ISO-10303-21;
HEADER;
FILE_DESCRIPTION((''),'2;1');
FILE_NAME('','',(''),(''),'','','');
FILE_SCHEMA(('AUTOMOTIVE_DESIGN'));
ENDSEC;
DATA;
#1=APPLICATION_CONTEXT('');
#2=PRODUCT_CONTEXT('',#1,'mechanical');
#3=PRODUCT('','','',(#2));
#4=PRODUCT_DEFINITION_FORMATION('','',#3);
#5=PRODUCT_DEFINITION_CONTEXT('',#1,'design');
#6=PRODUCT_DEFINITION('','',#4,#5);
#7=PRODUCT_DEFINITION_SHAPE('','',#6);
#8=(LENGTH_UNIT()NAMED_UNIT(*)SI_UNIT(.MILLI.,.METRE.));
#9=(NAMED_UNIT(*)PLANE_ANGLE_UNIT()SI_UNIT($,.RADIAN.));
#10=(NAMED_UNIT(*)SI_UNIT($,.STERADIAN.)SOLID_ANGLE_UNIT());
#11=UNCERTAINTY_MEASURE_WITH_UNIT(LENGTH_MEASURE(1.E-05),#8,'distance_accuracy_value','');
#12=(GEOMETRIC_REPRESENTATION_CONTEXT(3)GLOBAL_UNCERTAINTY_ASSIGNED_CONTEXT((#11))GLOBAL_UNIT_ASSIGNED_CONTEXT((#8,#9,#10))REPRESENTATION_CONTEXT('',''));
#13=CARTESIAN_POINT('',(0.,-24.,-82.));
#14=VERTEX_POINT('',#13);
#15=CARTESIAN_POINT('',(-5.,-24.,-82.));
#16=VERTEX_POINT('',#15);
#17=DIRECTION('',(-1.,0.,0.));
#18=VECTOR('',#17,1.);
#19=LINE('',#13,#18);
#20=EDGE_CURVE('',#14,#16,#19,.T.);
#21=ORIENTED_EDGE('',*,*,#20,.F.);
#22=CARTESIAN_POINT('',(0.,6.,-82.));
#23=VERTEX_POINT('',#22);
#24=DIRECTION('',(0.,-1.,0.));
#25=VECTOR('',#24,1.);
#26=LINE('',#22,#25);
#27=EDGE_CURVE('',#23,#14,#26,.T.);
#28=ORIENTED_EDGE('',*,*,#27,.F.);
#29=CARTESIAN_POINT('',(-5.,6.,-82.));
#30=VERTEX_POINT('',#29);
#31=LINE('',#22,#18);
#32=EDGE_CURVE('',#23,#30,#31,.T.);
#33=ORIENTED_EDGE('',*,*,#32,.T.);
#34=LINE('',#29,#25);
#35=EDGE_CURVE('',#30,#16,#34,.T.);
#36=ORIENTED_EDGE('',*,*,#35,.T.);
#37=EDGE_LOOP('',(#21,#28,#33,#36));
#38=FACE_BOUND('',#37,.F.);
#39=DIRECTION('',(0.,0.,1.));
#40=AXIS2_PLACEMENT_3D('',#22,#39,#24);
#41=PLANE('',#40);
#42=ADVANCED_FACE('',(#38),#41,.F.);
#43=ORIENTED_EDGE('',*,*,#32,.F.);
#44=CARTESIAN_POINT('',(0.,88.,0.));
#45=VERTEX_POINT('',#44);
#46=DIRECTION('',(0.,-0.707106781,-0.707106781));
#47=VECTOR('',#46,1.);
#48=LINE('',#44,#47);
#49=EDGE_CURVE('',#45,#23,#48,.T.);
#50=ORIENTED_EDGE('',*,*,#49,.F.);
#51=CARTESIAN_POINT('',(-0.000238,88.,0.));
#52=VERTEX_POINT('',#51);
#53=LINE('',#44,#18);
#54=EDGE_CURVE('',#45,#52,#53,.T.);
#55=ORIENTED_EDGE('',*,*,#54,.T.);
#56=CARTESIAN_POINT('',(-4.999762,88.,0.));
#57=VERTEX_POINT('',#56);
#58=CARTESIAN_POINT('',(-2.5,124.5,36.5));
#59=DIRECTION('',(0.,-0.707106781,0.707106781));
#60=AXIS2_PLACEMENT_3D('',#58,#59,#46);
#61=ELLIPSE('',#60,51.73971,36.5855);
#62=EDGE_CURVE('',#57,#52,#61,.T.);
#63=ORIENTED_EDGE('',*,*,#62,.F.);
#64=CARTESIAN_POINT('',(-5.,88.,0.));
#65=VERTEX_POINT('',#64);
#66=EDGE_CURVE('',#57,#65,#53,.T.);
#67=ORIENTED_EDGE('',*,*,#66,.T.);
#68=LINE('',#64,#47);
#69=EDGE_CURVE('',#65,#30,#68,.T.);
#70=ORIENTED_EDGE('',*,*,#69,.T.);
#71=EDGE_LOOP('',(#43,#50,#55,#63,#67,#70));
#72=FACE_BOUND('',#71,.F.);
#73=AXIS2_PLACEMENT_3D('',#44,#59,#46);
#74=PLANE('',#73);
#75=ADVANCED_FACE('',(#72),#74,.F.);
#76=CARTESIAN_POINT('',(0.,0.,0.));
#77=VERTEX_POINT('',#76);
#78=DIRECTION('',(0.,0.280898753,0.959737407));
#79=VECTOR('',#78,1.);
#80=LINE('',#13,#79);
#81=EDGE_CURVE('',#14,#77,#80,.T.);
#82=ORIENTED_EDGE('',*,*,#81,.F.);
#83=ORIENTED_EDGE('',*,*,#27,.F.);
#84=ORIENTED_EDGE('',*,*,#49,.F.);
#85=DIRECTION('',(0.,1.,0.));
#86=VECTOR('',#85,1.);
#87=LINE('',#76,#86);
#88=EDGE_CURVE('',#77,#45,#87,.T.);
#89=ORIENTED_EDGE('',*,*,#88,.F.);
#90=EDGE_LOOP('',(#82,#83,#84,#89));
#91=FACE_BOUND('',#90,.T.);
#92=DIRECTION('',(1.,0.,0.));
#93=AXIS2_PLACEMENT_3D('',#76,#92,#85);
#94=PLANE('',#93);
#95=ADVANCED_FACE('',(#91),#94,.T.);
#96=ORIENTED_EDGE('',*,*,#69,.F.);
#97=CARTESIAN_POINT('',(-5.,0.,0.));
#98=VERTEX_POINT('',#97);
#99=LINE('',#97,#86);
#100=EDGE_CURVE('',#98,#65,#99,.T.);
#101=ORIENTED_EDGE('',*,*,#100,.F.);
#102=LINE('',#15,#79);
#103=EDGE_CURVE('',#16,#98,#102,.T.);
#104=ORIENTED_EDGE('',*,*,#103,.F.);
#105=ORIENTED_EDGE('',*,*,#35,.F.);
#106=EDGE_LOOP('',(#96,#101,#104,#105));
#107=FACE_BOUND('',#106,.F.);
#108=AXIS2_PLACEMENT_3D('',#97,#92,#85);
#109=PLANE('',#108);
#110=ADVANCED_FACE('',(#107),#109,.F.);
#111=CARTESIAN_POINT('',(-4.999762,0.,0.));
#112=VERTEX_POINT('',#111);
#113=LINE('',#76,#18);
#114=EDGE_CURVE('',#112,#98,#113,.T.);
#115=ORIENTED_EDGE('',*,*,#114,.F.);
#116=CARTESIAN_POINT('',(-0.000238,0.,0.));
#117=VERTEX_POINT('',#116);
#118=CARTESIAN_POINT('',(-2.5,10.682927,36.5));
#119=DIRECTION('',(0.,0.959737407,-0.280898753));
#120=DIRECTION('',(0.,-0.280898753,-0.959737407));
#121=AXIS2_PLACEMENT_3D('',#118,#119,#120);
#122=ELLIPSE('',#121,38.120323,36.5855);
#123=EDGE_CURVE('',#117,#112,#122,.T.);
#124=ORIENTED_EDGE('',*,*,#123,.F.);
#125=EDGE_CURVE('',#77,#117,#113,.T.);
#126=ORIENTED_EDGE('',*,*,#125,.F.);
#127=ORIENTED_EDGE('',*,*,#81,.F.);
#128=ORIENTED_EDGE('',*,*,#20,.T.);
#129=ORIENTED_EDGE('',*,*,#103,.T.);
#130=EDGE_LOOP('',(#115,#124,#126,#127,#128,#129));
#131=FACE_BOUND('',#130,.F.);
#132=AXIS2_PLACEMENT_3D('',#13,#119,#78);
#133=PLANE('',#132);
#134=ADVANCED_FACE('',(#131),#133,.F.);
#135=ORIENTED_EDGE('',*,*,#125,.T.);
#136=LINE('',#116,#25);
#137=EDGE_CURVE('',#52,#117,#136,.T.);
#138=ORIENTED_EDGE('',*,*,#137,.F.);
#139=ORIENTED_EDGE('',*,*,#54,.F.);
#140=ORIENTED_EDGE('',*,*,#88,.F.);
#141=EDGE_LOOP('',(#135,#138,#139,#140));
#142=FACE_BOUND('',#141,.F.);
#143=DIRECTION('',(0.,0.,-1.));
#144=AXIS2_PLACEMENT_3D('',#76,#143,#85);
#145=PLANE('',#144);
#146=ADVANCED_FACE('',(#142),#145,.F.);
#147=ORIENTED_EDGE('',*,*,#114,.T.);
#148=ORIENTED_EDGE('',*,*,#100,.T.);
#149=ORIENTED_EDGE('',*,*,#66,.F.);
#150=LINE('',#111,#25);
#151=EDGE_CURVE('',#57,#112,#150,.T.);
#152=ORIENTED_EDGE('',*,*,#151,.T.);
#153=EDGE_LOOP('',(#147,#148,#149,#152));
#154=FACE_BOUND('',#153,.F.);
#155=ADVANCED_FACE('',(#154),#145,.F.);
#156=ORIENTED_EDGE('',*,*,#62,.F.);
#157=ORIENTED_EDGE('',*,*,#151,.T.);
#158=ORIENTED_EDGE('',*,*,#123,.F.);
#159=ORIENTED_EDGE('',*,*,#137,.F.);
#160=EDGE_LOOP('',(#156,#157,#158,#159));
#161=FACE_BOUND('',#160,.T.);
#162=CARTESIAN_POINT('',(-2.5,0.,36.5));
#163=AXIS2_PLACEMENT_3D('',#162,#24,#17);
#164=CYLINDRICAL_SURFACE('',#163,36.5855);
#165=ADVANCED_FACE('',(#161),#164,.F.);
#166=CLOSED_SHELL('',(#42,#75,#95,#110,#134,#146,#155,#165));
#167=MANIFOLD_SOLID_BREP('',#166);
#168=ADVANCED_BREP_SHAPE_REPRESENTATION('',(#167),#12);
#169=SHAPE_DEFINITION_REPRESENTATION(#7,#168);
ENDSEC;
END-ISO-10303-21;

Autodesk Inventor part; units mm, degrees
ref_plane "YZ Plane" through (0, 0, 0) normal (1, 0, 0) x (0, 1, 0)
ref_plane "XZ Plane" through (0, 0, 0) normal (0, 1, 0) x (-1, 0, 0)
ref_plane "XY Plane" through (0, 0, 0) normal (0, 0, 1) x (1, 0, 0)
sketch "Sketch1" plane through (0, 0, 0) normal (1, 0, 0) x (0, 1, 0)
  line L0 (0, 0) -> (88, 0)
  line L1 (88, 0) -> (204.3575, 0) construction
  line L2 (88, 0) -> (6, -82)
  line L3 (88, 0) -> (171.4386, 0) construction
  line L4 (6, -82) -> (-24, -82)
  line L5 (-24, -82) -> (0, 0)
  dimension "d0" = 88
  dimension "d3" = 135
  dimension "d4" = 30
extrude "Extrusion1" add sketch "Sketch1" against normal blind 5
sketch "Sketch2" plane through (0, 0, 0) normal (0, 1, 0) x (-1, 0, 0)
  line L0 (0, 0) -> (5, 0) projected
  circle A0 centre (2.5, 0) radius 36.5
  line L1 (0, 0) -> (0, -82) projected
  circle A1 centre (2.5, 36.5) radius 36.5855
  line L2 (5, -82) -> (5, 0) projected
  line L3 (0, 0) -> (5, 0)
  dimension "d7" = 73
extrude "Extrusion2" cut sketch "Sketch2" along normal mid plane 197.25 contours L0 A1
properties part number "Aletas" material "Birch"
